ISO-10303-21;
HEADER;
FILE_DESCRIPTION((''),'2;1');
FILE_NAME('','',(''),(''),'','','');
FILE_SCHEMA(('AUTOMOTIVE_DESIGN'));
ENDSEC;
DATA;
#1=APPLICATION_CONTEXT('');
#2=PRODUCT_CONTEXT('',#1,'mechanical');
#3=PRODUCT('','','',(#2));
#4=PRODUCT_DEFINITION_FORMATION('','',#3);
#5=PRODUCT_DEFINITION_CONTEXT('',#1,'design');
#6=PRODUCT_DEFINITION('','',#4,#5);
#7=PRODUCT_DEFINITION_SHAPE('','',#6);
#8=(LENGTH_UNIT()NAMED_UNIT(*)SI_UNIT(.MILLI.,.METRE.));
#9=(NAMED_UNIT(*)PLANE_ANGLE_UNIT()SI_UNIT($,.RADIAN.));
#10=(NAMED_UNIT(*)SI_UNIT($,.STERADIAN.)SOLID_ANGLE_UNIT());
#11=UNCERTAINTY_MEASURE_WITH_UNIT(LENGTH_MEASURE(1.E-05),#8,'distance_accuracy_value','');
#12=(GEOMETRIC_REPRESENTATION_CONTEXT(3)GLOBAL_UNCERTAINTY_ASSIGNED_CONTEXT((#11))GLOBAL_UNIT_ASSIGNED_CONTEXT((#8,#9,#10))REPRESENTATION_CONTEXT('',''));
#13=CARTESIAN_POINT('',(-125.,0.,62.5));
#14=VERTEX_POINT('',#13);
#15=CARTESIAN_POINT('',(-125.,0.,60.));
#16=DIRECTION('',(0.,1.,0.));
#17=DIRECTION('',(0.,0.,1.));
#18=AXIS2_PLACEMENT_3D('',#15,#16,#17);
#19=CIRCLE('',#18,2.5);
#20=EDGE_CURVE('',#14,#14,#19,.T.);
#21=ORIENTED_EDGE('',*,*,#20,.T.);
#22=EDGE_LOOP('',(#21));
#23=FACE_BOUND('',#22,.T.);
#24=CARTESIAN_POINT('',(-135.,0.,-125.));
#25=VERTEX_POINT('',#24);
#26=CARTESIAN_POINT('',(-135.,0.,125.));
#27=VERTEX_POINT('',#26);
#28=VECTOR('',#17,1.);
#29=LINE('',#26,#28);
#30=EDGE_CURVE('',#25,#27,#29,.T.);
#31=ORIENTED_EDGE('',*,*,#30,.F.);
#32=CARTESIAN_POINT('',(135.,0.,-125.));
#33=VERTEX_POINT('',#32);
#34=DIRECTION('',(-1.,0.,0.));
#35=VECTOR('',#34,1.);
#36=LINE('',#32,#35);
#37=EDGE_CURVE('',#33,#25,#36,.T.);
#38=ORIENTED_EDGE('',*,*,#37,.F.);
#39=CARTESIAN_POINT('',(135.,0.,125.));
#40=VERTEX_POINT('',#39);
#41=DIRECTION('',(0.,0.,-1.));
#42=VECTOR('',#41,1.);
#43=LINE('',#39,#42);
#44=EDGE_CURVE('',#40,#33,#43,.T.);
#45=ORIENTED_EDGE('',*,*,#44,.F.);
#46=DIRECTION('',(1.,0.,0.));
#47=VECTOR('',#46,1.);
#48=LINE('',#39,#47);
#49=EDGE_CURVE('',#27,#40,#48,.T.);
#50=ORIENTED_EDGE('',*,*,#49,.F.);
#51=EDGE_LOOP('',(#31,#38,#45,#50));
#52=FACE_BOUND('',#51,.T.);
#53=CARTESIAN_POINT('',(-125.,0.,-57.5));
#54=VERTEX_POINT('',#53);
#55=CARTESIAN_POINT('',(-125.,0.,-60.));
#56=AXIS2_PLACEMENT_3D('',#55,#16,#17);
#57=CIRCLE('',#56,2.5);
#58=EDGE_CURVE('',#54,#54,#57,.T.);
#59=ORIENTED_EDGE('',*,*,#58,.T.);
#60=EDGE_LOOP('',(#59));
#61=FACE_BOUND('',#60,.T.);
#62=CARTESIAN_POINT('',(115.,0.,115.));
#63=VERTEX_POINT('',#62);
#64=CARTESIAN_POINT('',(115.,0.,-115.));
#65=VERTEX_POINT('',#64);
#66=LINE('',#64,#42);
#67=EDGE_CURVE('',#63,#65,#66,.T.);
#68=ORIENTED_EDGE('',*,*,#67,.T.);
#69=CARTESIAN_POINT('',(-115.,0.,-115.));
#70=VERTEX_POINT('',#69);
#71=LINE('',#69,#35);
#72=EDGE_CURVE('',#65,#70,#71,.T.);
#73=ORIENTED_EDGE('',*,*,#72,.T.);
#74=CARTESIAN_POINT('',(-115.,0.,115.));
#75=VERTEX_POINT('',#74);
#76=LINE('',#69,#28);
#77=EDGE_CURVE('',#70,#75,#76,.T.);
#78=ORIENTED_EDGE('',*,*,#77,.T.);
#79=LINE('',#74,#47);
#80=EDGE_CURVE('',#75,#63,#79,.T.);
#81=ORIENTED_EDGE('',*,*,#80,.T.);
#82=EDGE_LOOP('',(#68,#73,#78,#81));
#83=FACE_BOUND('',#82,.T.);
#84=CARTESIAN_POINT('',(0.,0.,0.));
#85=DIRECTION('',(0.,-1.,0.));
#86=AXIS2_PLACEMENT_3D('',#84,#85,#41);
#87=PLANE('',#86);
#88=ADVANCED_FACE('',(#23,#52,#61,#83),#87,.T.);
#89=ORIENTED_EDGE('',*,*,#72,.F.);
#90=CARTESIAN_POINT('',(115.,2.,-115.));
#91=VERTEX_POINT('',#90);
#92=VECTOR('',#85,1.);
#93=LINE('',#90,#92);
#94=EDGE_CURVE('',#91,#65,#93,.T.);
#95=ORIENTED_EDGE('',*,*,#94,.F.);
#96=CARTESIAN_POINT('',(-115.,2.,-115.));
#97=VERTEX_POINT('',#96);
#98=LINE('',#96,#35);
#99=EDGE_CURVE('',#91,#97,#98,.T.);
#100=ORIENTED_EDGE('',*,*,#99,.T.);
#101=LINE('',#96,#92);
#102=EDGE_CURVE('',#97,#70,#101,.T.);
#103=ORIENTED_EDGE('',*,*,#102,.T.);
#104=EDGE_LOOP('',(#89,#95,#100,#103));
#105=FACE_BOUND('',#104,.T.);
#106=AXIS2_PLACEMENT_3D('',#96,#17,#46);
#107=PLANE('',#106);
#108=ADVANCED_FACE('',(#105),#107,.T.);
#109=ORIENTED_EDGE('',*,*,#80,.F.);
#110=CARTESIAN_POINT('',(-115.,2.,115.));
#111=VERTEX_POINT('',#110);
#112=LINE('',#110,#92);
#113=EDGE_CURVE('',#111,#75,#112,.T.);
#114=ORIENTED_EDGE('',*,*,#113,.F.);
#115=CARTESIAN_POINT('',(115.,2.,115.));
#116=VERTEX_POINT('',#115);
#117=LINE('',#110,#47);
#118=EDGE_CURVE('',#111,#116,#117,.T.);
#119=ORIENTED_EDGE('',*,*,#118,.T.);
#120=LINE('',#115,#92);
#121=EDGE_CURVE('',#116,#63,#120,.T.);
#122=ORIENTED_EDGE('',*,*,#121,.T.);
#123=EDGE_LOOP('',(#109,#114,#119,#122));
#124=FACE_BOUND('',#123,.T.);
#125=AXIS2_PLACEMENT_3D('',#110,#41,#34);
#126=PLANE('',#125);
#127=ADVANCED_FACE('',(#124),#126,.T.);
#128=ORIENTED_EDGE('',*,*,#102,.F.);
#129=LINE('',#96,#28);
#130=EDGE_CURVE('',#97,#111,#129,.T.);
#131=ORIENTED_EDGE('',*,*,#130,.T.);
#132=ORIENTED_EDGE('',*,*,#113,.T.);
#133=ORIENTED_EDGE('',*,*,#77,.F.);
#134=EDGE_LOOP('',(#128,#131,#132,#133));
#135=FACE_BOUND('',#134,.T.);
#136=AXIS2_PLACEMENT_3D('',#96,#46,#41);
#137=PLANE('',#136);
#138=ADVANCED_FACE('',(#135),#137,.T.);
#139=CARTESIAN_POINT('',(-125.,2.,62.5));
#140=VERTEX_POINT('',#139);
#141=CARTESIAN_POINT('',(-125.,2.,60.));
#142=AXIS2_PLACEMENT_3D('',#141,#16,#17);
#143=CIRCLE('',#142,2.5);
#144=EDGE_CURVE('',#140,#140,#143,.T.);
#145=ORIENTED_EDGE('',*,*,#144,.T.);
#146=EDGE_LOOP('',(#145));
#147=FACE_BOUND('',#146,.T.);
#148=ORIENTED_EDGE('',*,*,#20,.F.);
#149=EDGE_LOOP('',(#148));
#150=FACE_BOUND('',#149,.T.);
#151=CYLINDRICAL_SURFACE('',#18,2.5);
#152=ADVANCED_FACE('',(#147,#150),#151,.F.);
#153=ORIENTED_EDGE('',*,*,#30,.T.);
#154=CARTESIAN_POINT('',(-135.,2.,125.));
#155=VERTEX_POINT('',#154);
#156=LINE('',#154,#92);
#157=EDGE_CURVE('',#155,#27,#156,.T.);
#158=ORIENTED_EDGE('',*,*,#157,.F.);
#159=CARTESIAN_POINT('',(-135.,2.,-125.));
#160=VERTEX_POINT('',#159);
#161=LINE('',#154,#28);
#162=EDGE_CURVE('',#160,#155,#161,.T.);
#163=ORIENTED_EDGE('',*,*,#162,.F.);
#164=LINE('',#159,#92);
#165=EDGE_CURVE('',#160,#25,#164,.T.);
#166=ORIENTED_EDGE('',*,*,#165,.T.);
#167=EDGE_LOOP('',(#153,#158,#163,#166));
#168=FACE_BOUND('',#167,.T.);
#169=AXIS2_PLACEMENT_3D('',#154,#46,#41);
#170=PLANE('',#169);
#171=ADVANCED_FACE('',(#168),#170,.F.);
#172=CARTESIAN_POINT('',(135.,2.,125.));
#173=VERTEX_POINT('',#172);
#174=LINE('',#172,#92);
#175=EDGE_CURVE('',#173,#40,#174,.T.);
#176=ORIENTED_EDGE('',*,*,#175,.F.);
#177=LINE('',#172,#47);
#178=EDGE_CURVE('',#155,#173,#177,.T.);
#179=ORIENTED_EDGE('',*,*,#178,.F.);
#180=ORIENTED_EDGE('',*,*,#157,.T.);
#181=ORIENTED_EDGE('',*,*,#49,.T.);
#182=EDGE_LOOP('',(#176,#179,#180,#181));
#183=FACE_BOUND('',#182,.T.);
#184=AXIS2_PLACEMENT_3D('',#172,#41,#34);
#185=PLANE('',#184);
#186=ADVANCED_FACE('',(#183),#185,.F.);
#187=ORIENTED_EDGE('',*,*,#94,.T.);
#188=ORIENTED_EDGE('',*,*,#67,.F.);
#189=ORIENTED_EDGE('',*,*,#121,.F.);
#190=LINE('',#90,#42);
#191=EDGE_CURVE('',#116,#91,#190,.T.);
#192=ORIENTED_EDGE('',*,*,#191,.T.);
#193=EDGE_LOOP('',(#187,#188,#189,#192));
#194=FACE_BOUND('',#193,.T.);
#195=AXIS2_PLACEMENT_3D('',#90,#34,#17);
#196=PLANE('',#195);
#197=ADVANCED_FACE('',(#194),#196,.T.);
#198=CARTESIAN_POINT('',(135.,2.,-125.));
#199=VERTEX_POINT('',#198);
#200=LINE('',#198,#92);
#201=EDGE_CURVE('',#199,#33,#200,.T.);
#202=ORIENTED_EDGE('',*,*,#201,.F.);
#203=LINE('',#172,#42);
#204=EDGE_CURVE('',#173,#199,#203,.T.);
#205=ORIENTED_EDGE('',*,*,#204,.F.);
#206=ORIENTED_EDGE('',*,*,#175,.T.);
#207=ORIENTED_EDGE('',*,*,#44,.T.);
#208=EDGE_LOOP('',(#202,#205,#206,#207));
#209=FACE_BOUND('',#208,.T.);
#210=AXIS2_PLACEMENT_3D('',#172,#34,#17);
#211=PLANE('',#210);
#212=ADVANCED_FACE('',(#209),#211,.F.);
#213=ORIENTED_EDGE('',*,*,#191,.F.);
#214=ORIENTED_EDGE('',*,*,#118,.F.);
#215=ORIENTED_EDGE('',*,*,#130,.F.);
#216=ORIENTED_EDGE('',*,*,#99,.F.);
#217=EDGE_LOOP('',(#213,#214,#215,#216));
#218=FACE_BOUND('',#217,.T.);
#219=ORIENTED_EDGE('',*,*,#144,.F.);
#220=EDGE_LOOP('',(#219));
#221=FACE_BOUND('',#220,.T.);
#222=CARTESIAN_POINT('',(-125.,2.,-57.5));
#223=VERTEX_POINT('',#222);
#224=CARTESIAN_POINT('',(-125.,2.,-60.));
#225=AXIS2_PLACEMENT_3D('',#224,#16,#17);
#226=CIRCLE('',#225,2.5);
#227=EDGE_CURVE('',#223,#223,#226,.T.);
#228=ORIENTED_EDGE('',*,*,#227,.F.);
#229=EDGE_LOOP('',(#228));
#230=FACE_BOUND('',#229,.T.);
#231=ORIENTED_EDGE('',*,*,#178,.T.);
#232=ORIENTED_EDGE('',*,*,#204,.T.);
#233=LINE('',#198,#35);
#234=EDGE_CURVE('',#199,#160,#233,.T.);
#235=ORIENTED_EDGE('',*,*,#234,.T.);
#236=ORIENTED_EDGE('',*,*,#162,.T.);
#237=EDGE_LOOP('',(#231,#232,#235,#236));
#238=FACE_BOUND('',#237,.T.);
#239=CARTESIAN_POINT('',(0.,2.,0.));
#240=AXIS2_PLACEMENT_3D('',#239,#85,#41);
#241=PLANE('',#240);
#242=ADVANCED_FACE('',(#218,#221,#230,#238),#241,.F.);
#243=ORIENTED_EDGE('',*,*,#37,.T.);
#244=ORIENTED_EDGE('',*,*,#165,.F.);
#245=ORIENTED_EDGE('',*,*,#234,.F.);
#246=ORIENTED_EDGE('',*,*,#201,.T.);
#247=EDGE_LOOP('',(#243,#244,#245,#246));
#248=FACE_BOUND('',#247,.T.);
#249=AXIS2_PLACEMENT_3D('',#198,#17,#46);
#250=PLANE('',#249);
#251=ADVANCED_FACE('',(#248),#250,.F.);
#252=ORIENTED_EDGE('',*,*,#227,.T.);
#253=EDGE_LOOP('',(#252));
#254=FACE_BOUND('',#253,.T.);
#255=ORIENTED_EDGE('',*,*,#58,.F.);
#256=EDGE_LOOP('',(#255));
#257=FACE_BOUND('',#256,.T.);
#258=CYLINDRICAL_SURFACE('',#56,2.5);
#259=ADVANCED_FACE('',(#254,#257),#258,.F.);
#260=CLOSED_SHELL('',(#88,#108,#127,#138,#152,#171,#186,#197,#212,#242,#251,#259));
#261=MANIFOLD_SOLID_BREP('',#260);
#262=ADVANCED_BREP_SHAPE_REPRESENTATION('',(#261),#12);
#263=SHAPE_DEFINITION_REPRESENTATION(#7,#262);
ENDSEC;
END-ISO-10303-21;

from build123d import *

# Parameters (mm, degrees)
SKETCH_1_W          = 270
SKETCH_1_H          = 250
SKETCH_1_W_2        = 230
SKETCH_1_H_2        = 230
EXTRUDE_1_DEPTH     = 2
SKETCH_2_R          = 2.5
CUT_EXTRUDE_1_DEPTH = 3


with BuildPart() as part:
    # Эскиз1 → Бобышка-Вытянуть1 (new body)
    with BuildSketch(Plane(origin=(0, 0, 0), x_dir=(1, 0, 0), z_dir=(0, 1, 0))):
        Rectangle(SKETCH_1_W, SKETCH_1_H)
        Rectangle(SKETCH_1_W_2, SKETCH_1_H_2, mode=Mode.SUBTRACT)
    extrude(amount=EXTRUDE_1_DEPTH)

    # Эскиз2 → Вырез-Вытянуть1 (cut, through all)
    with BuildSketch(Plane(origin=(0, 2, 0), x_dir=(1, 0, 0), z_dir=(0, 1, 0))):
        with Locations((-125, 60)):
            Circle(SKETCH_2_R)
        with Locations((-125, -60)):
            Circle(SKETCH_2_R)
    extrude(amount=-CUT_EXTRUDE_1_DEPTH, mode=Mode.SUBTRACT)


solid = part.part
